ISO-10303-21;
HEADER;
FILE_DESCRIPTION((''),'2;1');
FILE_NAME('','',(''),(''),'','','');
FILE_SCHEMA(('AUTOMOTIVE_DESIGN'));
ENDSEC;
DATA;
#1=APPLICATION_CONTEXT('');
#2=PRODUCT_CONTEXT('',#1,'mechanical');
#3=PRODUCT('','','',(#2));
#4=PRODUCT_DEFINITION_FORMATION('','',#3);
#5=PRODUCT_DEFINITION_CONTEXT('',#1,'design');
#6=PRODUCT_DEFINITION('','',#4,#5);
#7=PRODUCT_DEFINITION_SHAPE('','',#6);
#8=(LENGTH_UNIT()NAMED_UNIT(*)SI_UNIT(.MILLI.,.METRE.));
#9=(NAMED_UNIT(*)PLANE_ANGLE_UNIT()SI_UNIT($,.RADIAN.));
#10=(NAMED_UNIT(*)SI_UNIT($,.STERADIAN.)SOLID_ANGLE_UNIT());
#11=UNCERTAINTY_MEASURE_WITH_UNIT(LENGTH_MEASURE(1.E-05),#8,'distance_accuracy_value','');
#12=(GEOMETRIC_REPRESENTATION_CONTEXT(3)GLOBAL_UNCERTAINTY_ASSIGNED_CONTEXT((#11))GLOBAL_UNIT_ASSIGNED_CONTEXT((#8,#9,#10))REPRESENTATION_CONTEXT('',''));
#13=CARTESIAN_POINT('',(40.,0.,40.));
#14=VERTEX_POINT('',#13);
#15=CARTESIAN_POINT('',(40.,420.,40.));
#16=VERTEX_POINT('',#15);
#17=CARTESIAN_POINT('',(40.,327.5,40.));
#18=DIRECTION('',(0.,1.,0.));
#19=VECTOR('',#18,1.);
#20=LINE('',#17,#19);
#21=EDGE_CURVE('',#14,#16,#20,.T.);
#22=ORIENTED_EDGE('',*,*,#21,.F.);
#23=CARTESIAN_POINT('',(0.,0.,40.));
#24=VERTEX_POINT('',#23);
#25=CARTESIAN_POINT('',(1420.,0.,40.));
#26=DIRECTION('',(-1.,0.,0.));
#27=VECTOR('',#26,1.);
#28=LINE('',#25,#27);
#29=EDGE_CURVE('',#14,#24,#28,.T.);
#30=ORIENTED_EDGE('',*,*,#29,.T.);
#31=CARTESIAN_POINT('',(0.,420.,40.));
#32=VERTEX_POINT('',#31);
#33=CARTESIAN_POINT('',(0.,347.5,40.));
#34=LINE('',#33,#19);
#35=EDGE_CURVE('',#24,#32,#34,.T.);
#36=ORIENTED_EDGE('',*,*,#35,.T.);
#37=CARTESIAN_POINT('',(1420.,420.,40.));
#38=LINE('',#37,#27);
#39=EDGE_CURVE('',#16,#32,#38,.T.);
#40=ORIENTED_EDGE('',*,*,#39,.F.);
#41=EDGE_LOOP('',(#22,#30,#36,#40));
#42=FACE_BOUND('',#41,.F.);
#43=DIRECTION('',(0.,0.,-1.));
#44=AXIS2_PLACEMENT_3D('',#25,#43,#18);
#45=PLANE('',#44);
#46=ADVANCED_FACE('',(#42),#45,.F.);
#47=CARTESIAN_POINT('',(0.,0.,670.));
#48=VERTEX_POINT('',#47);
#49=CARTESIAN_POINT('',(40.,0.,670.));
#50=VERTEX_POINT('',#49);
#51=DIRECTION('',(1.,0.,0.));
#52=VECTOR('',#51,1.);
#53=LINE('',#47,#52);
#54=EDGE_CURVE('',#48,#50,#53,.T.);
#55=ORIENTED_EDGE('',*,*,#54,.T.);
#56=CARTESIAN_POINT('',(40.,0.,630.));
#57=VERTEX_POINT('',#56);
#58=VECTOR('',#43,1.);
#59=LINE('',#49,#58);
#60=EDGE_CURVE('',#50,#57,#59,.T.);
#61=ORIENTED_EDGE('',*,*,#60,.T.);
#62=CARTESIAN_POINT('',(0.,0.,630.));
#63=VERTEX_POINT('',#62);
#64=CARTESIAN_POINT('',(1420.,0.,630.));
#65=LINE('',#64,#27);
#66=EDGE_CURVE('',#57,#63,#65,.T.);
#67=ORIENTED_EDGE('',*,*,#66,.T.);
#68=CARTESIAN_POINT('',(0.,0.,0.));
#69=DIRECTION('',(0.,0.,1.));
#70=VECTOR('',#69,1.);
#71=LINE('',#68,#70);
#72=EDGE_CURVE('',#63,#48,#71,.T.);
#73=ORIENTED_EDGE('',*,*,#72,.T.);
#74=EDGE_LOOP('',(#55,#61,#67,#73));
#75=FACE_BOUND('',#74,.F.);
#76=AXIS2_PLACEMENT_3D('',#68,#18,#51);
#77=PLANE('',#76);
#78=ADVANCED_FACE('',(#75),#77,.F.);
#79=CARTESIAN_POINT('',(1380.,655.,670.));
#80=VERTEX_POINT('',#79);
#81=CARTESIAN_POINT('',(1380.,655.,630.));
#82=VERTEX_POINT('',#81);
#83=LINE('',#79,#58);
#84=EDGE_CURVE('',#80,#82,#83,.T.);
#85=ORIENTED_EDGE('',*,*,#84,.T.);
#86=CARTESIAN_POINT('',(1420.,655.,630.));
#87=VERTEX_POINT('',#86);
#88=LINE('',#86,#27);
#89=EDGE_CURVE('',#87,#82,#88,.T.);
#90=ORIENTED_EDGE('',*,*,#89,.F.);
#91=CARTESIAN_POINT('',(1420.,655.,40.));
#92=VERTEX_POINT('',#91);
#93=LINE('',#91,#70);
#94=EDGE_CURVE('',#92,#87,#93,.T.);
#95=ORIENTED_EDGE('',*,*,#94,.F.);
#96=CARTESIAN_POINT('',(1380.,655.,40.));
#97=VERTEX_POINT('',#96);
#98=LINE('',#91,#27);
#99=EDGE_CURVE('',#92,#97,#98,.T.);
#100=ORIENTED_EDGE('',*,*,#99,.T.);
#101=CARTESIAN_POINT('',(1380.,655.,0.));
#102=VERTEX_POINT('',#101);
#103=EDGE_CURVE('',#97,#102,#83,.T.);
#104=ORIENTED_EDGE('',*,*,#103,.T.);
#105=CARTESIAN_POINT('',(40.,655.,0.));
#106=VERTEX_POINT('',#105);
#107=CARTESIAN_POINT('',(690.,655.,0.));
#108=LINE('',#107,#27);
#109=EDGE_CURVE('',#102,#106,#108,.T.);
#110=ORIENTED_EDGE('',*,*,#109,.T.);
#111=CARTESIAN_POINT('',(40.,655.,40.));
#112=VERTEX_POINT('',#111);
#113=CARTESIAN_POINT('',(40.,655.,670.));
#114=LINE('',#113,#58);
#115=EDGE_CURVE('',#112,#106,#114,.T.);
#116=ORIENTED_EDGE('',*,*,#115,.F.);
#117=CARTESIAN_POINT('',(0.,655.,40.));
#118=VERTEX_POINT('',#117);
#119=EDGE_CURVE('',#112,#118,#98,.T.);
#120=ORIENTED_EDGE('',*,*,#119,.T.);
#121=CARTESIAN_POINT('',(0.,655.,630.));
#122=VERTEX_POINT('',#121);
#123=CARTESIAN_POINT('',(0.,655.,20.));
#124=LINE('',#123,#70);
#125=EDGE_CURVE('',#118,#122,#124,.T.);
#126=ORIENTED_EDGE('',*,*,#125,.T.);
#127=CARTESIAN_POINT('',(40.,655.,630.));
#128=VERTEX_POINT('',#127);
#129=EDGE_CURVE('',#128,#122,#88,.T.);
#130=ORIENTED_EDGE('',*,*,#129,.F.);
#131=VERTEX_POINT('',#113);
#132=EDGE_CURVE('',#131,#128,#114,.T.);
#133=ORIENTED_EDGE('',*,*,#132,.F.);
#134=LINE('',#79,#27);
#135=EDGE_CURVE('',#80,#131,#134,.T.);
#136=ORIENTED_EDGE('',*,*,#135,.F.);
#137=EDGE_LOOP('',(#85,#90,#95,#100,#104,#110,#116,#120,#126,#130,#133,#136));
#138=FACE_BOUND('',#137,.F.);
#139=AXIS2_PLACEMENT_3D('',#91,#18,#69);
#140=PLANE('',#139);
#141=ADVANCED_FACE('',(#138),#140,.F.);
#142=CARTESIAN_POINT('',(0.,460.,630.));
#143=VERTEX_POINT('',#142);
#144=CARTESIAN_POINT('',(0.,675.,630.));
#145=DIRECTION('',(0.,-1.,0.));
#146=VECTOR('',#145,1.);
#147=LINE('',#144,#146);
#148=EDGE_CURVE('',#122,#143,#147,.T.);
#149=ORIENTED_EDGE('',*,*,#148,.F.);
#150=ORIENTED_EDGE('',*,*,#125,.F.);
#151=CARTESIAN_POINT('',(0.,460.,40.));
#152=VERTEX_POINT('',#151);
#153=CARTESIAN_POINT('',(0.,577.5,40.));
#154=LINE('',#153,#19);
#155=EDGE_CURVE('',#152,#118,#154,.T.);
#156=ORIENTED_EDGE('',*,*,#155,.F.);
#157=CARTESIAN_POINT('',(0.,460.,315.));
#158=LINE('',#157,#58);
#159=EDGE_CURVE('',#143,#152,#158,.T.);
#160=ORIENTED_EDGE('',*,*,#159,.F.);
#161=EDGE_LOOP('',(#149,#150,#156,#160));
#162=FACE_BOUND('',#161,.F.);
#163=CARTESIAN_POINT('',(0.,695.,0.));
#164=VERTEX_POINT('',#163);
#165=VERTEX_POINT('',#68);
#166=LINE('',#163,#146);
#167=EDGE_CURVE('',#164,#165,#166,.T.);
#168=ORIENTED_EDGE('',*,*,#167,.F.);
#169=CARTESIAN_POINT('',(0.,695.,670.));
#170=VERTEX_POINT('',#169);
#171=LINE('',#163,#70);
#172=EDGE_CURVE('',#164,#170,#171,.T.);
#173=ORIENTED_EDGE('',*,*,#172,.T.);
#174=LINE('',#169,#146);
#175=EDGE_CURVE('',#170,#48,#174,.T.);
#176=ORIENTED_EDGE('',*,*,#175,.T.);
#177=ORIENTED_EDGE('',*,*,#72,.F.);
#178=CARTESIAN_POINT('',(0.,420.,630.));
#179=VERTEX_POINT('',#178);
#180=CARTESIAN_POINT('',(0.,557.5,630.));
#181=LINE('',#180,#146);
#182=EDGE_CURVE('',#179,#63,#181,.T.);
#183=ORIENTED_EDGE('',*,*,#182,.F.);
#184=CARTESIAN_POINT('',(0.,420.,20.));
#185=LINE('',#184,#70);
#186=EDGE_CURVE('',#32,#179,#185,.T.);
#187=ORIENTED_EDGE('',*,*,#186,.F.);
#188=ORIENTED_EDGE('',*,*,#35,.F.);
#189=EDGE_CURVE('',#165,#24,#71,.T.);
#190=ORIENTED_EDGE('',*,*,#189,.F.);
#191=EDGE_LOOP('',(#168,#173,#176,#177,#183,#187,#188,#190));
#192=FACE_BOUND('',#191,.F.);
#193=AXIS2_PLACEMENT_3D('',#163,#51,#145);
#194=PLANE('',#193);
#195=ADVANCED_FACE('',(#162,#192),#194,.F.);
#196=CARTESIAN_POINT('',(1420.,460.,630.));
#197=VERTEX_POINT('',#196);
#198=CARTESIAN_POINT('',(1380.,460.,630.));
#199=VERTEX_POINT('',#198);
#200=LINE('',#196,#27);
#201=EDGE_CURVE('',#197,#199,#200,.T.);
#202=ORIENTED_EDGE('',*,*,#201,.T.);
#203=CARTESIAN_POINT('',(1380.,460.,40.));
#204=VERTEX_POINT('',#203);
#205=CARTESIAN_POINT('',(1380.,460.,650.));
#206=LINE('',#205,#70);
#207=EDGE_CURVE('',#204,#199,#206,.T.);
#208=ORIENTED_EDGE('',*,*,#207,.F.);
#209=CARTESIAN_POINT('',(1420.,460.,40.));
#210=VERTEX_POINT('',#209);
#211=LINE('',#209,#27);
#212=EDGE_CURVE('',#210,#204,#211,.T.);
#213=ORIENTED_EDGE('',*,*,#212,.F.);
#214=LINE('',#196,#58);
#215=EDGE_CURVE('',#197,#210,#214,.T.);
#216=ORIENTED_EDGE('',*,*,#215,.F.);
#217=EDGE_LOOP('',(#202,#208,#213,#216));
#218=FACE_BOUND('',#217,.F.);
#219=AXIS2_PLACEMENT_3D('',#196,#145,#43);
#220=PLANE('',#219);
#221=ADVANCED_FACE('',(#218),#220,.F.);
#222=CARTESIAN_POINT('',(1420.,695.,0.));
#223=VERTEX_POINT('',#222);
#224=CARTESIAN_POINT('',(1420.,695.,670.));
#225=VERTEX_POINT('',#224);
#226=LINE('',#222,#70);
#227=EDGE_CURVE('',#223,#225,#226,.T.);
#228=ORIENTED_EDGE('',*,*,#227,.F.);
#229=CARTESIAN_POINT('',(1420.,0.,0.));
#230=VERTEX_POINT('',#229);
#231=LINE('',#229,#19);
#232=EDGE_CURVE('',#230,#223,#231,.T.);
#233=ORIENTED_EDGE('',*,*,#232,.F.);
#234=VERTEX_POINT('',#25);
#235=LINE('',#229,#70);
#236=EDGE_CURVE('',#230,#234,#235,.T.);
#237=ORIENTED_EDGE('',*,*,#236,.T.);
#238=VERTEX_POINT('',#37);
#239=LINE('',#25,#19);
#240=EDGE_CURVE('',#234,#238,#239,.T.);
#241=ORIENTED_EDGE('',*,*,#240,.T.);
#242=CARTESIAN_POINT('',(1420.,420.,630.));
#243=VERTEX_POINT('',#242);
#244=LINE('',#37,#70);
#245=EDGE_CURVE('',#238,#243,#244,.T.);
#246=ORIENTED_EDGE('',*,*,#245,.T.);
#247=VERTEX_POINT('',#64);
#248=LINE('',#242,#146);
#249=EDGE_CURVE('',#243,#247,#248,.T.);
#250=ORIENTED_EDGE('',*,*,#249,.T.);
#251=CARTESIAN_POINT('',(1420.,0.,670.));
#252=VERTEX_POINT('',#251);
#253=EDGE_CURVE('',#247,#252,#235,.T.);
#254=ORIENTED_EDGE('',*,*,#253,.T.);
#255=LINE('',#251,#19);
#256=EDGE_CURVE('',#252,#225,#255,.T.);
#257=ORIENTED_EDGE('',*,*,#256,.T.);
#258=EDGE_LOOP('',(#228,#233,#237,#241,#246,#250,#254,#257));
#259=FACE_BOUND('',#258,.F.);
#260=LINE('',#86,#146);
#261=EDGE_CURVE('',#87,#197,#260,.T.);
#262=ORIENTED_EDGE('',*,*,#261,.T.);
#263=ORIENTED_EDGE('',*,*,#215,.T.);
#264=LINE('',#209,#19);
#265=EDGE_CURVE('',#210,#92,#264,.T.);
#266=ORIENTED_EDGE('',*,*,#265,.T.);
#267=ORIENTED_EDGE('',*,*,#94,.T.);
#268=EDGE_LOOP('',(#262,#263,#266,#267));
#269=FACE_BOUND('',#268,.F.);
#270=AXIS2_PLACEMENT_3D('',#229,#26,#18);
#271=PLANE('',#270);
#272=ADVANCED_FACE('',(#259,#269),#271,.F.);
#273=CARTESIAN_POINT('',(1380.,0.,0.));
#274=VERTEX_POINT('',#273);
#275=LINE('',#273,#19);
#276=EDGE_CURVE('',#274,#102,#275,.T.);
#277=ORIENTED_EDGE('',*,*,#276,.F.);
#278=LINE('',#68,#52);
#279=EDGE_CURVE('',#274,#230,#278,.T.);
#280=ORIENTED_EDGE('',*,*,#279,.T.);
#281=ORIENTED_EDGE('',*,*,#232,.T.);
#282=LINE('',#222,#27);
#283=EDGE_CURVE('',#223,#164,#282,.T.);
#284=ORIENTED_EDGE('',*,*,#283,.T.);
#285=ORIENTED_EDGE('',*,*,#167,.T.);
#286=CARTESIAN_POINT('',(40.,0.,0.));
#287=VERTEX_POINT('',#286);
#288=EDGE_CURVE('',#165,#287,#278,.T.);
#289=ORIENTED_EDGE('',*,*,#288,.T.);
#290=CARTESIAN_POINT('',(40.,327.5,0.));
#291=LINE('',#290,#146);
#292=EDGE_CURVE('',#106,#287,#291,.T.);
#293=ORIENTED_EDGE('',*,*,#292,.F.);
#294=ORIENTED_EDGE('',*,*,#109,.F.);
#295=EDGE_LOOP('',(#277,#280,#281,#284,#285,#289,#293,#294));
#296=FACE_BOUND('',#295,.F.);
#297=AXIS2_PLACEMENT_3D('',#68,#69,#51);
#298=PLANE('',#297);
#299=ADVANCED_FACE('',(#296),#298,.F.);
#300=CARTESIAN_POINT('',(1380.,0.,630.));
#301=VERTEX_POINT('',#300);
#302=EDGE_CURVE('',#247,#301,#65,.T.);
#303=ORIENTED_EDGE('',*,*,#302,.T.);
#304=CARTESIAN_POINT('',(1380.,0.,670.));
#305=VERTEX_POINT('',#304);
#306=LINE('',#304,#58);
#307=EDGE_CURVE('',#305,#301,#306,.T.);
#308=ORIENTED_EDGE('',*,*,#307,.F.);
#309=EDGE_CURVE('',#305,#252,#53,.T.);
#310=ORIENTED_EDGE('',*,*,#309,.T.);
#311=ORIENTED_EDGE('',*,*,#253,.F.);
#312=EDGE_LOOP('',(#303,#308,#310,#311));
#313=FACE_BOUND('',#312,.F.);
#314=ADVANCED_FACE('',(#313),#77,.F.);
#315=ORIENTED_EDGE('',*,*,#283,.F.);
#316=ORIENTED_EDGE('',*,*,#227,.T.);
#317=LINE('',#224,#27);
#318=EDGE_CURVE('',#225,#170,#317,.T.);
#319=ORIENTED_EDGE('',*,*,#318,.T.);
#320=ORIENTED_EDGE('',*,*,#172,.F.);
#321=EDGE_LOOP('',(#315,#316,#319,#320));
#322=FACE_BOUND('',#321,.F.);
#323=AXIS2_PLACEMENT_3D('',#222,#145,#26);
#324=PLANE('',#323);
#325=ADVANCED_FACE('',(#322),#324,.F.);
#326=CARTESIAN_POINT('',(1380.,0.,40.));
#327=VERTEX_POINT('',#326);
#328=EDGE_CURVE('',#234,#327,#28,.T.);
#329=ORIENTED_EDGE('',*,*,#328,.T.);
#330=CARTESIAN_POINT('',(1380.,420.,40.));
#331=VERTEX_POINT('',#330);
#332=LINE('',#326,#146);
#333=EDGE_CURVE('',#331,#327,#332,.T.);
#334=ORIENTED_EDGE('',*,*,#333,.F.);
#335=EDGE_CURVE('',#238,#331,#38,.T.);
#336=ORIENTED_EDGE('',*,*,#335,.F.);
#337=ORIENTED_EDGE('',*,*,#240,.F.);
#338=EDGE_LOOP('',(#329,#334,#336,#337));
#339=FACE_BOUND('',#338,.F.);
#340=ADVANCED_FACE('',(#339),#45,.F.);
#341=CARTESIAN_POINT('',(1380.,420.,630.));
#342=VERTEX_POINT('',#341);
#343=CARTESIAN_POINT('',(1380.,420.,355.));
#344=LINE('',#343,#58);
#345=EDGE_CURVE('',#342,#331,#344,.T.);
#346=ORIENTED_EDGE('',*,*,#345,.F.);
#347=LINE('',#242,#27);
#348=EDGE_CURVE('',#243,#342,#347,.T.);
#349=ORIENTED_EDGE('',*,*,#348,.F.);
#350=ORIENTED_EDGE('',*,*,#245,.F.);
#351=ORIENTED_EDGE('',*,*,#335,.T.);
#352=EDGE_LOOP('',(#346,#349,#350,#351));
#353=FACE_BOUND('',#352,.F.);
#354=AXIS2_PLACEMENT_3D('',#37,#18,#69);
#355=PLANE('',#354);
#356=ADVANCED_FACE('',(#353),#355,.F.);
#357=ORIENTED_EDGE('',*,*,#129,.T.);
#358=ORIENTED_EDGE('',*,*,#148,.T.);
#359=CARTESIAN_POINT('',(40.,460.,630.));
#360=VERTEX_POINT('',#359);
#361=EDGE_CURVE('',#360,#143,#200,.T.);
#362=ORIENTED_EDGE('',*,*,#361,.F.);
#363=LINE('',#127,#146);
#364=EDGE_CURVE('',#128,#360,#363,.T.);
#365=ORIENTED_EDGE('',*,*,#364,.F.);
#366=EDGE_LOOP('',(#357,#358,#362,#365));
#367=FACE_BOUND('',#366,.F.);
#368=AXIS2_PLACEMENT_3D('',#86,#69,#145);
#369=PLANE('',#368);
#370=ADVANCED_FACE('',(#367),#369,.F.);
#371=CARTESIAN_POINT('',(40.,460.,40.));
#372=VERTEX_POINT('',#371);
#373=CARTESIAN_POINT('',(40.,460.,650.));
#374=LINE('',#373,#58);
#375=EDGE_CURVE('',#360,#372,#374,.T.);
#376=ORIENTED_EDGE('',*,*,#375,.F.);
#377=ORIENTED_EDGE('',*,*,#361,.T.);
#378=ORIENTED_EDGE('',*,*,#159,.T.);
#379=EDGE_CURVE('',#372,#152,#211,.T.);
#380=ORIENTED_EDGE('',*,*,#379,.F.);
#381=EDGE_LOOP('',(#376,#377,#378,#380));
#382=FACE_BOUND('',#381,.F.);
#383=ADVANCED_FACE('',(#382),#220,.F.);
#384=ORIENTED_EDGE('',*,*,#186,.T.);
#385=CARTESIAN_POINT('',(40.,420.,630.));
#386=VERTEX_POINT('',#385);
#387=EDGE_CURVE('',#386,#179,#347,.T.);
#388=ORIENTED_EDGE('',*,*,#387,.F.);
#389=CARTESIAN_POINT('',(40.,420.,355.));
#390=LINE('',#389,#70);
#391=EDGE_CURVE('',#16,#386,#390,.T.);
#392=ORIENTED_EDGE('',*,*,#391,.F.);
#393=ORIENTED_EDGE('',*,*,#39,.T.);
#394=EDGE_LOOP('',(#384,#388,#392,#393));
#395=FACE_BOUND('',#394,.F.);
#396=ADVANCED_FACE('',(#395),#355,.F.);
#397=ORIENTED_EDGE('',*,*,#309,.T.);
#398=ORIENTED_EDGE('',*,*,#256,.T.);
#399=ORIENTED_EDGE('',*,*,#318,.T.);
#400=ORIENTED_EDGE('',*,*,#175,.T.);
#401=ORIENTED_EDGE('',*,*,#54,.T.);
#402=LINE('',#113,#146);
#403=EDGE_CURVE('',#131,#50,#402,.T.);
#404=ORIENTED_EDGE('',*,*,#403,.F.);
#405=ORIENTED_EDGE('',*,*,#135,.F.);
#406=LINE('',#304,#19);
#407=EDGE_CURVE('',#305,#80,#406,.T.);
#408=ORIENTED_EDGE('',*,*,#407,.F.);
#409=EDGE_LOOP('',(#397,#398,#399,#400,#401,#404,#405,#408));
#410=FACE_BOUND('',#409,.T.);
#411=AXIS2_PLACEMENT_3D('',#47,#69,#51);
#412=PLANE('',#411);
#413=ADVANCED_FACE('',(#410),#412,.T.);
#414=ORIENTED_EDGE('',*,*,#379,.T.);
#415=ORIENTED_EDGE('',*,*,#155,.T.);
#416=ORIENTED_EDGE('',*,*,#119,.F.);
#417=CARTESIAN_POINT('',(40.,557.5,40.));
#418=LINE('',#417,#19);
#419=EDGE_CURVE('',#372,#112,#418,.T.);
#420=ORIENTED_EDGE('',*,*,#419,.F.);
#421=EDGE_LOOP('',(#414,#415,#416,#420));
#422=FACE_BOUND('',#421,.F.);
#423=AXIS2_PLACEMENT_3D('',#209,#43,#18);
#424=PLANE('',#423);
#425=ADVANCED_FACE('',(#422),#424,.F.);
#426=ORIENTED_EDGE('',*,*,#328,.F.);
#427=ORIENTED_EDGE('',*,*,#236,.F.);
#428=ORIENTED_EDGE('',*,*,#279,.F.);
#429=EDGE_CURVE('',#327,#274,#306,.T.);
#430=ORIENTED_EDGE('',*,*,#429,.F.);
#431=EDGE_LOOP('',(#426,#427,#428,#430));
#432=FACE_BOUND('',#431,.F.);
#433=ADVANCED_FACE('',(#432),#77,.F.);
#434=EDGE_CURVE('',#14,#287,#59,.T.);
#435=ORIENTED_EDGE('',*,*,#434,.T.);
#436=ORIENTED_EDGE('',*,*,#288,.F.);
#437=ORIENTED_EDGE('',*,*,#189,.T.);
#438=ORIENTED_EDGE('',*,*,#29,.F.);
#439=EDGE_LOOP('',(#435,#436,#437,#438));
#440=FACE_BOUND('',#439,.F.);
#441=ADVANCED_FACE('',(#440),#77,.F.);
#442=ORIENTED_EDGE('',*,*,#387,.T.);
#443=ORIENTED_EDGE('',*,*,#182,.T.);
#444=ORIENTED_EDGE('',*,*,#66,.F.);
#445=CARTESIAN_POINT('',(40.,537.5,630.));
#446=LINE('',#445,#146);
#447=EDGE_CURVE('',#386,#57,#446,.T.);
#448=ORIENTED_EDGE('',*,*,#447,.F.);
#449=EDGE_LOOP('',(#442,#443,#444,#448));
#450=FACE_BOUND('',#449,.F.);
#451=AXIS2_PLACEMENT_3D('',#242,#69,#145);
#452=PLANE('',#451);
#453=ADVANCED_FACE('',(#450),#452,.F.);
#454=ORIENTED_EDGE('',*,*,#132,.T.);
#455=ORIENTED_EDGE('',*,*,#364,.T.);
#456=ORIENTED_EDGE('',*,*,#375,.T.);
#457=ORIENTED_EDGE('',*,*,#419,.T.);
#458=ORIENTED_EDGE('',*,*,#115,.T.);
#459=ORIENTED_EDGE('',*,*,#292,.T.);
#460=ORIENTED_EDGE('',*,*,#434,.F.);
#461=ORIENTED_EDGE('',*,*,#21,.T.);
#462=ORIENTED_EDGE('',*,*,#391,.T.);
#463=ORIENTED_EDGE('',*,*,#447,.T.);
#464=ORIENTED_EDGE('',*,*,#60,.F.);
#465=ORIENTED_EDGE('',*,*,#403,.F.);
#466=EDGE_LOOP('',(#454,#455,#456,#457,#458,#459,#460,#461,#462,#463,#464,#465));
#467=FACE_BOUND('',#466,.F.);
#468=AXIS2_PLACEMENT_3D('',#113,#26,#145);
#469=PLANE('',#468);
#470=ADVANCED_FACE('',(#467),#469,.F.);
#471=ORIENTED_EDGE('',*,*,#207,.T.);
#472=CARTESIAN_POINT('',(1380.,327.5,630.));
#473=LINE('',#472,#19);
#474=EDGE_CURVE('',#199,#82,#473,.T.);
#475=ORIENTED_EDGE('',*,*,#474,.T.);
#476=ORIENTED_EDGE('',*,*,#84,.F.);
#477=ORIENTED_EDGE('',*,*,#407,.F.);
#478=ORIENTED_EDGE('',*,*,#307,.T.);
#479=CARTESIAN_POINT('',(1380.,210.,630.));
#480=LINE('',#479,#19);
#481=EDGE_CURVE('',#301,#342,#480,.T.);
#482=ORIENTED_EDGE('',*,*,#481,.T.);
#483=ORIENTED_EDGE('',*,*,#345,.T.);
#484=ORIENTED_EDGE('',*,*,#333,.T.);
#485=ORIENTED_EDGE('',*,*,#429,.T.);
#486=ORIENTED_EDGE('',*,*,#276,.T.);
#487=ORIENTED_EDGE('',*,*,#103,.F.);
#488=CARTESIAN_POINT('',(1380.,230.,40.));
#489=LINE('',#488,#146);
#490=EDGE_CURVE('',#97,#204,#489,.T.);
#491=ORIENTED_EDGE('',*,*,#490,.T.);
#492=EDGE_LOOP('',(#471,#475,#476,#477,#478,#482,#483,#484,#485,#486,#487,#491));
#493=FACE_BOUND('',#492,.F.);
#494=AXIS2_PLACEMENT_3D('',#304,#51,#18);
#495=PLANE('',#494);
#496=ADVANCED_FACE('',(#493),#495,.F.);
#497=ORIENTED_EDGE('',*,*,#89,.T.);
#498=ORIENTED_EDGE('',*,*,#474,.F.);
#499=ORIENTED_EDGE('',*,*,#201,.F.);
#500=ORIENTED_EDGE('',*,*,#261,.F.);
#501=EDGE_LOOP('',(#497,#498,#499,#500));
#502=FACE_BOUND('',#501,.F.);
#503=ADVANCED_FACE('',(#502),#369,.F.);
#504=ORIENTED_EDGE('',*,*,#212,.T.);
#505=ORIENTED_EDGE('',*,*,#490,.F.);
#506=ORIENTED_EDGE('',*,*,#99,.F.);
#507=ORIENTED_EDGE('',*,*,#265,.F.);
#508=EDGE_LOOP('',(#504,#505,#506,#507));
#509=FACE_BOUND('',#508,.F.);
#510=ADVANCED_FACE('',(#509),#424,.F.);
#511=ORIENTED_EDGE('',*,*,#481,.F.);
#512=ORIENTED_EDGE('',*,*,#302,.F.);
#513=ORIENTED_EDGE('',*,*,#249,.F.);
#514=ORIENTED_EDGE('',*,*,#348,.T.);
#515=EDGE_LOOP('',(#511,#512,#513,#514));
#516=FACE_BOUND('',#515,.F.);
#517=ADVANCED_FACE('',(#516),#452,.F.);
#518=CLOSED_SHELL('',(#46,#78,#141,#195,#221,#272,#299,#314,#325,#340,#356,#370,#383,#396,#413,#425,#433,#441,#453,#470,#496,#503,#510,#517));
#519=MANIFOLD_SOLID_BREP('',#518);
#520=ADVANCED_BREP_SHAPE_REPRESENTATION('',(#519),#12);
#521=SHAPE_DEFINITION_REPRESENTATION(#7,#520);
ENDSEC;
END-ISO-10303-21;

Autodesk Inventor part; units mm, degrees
ref_plane "YZ Plane" through (0, 0, 0) normal (1, 0, 0) x (0, 1, 0)
ref_plane "XZ Plane" through (0, 0, 0) normal (0, 1, 0) x (-1, 0, 0)
ref_plane "XY Plane" through (0, 0, 0) normal (0, 0, 1) x (1, 0, 0)
sketch "Sketch1" plane through (0, 0, 0) normal (0, 0, 1) x (1, 0, 0)
  line L0 (0, 0) -> (1420, 0)
  line L1 (1420, 0) -> (1420, 695)
  line L2 (1420, 695) -> (0, 695)
  line L3 (0, 695) -> (0, 0)
  dimension "d0" = 695
  dimension "d1" = 1420
extrude "Extrusion1" add sketch "Sketch1" along normal blind 670
sketch "Sketch2" plane through (1420, 0, 0) normal (1, 0, 0) x (0, 0, -1)
  line L0 (-630, 0) -> (-40, 0)
  line L1 (-40, 0) -> (-40, 420)
  line L2 (-40, 420) -> (-630, 420)
  line L3 (-630, 420) -> (-630, 0)
  line L4 (-670, 695) -> (-670, 0) projected
  line L5 (0, 0) -> (0, 695) projected
  line L6 (0, 0) -> (-670, 0) projected
  dimension "d4" = 420
  dimension "d5" = 40
  dimension "d6" = 40
extrude "Extrusion2" cut sketch "Sketch2" against normal blind 2000
sketch "Sketch3" plane through (1420, 0, 0) normal (1, 0, 0) x (0, 0, -1)
  line L0 (-630, 460) -> (-40, 460)
  line L1 (-40, 460) -> (-40, 655)
  line L2 (-40, 655) -> (-630, 655)
  line L3 (-630, 655) -> (-630, 460)
  line L4 (0, 695) -> (-670, 695) projected
  line L5 (-670, 695) -> (-670, 0) projected
  line L6 (-630, 420) -> (-40, 420) projected
  line L7 (0, 0) -> (0, 695) projected
  dimension "d9" = 40
  dimension "d10" = 40
  dimension "d11" = 40
  dimension "d12" = 40
extrude "Extrusion3" cut sketch "Sketch3" against normal blind 2000
sketch "Sketch4" plane through (0, 0, 670) normal (0, 0, 1) x (1, 0, 0)
  line L0 (40, 0) -> (1380, 0)
  line L1 (1380, 0) -> (1380, 655)
  line L2 (1380, 655) -> (40, 655)
  line L3 (40, 655) -> (40, 0)
  line L4 (0, 0) -> (1420, 0) projected
  line L5 (0, 420) -> (0, 0) projected
  line L6 (1420, 0) -> (1420, 695) projected
  line L7 (1420, 695) -> (0, 695) projected
  dimension "d15" = 40
  dimension "d16" = 40
  dimension "d17" = 40
extrude "Extrusion4" cut sketch "Sketch4" against normal blind 1000
properties part number "bottomtable"
